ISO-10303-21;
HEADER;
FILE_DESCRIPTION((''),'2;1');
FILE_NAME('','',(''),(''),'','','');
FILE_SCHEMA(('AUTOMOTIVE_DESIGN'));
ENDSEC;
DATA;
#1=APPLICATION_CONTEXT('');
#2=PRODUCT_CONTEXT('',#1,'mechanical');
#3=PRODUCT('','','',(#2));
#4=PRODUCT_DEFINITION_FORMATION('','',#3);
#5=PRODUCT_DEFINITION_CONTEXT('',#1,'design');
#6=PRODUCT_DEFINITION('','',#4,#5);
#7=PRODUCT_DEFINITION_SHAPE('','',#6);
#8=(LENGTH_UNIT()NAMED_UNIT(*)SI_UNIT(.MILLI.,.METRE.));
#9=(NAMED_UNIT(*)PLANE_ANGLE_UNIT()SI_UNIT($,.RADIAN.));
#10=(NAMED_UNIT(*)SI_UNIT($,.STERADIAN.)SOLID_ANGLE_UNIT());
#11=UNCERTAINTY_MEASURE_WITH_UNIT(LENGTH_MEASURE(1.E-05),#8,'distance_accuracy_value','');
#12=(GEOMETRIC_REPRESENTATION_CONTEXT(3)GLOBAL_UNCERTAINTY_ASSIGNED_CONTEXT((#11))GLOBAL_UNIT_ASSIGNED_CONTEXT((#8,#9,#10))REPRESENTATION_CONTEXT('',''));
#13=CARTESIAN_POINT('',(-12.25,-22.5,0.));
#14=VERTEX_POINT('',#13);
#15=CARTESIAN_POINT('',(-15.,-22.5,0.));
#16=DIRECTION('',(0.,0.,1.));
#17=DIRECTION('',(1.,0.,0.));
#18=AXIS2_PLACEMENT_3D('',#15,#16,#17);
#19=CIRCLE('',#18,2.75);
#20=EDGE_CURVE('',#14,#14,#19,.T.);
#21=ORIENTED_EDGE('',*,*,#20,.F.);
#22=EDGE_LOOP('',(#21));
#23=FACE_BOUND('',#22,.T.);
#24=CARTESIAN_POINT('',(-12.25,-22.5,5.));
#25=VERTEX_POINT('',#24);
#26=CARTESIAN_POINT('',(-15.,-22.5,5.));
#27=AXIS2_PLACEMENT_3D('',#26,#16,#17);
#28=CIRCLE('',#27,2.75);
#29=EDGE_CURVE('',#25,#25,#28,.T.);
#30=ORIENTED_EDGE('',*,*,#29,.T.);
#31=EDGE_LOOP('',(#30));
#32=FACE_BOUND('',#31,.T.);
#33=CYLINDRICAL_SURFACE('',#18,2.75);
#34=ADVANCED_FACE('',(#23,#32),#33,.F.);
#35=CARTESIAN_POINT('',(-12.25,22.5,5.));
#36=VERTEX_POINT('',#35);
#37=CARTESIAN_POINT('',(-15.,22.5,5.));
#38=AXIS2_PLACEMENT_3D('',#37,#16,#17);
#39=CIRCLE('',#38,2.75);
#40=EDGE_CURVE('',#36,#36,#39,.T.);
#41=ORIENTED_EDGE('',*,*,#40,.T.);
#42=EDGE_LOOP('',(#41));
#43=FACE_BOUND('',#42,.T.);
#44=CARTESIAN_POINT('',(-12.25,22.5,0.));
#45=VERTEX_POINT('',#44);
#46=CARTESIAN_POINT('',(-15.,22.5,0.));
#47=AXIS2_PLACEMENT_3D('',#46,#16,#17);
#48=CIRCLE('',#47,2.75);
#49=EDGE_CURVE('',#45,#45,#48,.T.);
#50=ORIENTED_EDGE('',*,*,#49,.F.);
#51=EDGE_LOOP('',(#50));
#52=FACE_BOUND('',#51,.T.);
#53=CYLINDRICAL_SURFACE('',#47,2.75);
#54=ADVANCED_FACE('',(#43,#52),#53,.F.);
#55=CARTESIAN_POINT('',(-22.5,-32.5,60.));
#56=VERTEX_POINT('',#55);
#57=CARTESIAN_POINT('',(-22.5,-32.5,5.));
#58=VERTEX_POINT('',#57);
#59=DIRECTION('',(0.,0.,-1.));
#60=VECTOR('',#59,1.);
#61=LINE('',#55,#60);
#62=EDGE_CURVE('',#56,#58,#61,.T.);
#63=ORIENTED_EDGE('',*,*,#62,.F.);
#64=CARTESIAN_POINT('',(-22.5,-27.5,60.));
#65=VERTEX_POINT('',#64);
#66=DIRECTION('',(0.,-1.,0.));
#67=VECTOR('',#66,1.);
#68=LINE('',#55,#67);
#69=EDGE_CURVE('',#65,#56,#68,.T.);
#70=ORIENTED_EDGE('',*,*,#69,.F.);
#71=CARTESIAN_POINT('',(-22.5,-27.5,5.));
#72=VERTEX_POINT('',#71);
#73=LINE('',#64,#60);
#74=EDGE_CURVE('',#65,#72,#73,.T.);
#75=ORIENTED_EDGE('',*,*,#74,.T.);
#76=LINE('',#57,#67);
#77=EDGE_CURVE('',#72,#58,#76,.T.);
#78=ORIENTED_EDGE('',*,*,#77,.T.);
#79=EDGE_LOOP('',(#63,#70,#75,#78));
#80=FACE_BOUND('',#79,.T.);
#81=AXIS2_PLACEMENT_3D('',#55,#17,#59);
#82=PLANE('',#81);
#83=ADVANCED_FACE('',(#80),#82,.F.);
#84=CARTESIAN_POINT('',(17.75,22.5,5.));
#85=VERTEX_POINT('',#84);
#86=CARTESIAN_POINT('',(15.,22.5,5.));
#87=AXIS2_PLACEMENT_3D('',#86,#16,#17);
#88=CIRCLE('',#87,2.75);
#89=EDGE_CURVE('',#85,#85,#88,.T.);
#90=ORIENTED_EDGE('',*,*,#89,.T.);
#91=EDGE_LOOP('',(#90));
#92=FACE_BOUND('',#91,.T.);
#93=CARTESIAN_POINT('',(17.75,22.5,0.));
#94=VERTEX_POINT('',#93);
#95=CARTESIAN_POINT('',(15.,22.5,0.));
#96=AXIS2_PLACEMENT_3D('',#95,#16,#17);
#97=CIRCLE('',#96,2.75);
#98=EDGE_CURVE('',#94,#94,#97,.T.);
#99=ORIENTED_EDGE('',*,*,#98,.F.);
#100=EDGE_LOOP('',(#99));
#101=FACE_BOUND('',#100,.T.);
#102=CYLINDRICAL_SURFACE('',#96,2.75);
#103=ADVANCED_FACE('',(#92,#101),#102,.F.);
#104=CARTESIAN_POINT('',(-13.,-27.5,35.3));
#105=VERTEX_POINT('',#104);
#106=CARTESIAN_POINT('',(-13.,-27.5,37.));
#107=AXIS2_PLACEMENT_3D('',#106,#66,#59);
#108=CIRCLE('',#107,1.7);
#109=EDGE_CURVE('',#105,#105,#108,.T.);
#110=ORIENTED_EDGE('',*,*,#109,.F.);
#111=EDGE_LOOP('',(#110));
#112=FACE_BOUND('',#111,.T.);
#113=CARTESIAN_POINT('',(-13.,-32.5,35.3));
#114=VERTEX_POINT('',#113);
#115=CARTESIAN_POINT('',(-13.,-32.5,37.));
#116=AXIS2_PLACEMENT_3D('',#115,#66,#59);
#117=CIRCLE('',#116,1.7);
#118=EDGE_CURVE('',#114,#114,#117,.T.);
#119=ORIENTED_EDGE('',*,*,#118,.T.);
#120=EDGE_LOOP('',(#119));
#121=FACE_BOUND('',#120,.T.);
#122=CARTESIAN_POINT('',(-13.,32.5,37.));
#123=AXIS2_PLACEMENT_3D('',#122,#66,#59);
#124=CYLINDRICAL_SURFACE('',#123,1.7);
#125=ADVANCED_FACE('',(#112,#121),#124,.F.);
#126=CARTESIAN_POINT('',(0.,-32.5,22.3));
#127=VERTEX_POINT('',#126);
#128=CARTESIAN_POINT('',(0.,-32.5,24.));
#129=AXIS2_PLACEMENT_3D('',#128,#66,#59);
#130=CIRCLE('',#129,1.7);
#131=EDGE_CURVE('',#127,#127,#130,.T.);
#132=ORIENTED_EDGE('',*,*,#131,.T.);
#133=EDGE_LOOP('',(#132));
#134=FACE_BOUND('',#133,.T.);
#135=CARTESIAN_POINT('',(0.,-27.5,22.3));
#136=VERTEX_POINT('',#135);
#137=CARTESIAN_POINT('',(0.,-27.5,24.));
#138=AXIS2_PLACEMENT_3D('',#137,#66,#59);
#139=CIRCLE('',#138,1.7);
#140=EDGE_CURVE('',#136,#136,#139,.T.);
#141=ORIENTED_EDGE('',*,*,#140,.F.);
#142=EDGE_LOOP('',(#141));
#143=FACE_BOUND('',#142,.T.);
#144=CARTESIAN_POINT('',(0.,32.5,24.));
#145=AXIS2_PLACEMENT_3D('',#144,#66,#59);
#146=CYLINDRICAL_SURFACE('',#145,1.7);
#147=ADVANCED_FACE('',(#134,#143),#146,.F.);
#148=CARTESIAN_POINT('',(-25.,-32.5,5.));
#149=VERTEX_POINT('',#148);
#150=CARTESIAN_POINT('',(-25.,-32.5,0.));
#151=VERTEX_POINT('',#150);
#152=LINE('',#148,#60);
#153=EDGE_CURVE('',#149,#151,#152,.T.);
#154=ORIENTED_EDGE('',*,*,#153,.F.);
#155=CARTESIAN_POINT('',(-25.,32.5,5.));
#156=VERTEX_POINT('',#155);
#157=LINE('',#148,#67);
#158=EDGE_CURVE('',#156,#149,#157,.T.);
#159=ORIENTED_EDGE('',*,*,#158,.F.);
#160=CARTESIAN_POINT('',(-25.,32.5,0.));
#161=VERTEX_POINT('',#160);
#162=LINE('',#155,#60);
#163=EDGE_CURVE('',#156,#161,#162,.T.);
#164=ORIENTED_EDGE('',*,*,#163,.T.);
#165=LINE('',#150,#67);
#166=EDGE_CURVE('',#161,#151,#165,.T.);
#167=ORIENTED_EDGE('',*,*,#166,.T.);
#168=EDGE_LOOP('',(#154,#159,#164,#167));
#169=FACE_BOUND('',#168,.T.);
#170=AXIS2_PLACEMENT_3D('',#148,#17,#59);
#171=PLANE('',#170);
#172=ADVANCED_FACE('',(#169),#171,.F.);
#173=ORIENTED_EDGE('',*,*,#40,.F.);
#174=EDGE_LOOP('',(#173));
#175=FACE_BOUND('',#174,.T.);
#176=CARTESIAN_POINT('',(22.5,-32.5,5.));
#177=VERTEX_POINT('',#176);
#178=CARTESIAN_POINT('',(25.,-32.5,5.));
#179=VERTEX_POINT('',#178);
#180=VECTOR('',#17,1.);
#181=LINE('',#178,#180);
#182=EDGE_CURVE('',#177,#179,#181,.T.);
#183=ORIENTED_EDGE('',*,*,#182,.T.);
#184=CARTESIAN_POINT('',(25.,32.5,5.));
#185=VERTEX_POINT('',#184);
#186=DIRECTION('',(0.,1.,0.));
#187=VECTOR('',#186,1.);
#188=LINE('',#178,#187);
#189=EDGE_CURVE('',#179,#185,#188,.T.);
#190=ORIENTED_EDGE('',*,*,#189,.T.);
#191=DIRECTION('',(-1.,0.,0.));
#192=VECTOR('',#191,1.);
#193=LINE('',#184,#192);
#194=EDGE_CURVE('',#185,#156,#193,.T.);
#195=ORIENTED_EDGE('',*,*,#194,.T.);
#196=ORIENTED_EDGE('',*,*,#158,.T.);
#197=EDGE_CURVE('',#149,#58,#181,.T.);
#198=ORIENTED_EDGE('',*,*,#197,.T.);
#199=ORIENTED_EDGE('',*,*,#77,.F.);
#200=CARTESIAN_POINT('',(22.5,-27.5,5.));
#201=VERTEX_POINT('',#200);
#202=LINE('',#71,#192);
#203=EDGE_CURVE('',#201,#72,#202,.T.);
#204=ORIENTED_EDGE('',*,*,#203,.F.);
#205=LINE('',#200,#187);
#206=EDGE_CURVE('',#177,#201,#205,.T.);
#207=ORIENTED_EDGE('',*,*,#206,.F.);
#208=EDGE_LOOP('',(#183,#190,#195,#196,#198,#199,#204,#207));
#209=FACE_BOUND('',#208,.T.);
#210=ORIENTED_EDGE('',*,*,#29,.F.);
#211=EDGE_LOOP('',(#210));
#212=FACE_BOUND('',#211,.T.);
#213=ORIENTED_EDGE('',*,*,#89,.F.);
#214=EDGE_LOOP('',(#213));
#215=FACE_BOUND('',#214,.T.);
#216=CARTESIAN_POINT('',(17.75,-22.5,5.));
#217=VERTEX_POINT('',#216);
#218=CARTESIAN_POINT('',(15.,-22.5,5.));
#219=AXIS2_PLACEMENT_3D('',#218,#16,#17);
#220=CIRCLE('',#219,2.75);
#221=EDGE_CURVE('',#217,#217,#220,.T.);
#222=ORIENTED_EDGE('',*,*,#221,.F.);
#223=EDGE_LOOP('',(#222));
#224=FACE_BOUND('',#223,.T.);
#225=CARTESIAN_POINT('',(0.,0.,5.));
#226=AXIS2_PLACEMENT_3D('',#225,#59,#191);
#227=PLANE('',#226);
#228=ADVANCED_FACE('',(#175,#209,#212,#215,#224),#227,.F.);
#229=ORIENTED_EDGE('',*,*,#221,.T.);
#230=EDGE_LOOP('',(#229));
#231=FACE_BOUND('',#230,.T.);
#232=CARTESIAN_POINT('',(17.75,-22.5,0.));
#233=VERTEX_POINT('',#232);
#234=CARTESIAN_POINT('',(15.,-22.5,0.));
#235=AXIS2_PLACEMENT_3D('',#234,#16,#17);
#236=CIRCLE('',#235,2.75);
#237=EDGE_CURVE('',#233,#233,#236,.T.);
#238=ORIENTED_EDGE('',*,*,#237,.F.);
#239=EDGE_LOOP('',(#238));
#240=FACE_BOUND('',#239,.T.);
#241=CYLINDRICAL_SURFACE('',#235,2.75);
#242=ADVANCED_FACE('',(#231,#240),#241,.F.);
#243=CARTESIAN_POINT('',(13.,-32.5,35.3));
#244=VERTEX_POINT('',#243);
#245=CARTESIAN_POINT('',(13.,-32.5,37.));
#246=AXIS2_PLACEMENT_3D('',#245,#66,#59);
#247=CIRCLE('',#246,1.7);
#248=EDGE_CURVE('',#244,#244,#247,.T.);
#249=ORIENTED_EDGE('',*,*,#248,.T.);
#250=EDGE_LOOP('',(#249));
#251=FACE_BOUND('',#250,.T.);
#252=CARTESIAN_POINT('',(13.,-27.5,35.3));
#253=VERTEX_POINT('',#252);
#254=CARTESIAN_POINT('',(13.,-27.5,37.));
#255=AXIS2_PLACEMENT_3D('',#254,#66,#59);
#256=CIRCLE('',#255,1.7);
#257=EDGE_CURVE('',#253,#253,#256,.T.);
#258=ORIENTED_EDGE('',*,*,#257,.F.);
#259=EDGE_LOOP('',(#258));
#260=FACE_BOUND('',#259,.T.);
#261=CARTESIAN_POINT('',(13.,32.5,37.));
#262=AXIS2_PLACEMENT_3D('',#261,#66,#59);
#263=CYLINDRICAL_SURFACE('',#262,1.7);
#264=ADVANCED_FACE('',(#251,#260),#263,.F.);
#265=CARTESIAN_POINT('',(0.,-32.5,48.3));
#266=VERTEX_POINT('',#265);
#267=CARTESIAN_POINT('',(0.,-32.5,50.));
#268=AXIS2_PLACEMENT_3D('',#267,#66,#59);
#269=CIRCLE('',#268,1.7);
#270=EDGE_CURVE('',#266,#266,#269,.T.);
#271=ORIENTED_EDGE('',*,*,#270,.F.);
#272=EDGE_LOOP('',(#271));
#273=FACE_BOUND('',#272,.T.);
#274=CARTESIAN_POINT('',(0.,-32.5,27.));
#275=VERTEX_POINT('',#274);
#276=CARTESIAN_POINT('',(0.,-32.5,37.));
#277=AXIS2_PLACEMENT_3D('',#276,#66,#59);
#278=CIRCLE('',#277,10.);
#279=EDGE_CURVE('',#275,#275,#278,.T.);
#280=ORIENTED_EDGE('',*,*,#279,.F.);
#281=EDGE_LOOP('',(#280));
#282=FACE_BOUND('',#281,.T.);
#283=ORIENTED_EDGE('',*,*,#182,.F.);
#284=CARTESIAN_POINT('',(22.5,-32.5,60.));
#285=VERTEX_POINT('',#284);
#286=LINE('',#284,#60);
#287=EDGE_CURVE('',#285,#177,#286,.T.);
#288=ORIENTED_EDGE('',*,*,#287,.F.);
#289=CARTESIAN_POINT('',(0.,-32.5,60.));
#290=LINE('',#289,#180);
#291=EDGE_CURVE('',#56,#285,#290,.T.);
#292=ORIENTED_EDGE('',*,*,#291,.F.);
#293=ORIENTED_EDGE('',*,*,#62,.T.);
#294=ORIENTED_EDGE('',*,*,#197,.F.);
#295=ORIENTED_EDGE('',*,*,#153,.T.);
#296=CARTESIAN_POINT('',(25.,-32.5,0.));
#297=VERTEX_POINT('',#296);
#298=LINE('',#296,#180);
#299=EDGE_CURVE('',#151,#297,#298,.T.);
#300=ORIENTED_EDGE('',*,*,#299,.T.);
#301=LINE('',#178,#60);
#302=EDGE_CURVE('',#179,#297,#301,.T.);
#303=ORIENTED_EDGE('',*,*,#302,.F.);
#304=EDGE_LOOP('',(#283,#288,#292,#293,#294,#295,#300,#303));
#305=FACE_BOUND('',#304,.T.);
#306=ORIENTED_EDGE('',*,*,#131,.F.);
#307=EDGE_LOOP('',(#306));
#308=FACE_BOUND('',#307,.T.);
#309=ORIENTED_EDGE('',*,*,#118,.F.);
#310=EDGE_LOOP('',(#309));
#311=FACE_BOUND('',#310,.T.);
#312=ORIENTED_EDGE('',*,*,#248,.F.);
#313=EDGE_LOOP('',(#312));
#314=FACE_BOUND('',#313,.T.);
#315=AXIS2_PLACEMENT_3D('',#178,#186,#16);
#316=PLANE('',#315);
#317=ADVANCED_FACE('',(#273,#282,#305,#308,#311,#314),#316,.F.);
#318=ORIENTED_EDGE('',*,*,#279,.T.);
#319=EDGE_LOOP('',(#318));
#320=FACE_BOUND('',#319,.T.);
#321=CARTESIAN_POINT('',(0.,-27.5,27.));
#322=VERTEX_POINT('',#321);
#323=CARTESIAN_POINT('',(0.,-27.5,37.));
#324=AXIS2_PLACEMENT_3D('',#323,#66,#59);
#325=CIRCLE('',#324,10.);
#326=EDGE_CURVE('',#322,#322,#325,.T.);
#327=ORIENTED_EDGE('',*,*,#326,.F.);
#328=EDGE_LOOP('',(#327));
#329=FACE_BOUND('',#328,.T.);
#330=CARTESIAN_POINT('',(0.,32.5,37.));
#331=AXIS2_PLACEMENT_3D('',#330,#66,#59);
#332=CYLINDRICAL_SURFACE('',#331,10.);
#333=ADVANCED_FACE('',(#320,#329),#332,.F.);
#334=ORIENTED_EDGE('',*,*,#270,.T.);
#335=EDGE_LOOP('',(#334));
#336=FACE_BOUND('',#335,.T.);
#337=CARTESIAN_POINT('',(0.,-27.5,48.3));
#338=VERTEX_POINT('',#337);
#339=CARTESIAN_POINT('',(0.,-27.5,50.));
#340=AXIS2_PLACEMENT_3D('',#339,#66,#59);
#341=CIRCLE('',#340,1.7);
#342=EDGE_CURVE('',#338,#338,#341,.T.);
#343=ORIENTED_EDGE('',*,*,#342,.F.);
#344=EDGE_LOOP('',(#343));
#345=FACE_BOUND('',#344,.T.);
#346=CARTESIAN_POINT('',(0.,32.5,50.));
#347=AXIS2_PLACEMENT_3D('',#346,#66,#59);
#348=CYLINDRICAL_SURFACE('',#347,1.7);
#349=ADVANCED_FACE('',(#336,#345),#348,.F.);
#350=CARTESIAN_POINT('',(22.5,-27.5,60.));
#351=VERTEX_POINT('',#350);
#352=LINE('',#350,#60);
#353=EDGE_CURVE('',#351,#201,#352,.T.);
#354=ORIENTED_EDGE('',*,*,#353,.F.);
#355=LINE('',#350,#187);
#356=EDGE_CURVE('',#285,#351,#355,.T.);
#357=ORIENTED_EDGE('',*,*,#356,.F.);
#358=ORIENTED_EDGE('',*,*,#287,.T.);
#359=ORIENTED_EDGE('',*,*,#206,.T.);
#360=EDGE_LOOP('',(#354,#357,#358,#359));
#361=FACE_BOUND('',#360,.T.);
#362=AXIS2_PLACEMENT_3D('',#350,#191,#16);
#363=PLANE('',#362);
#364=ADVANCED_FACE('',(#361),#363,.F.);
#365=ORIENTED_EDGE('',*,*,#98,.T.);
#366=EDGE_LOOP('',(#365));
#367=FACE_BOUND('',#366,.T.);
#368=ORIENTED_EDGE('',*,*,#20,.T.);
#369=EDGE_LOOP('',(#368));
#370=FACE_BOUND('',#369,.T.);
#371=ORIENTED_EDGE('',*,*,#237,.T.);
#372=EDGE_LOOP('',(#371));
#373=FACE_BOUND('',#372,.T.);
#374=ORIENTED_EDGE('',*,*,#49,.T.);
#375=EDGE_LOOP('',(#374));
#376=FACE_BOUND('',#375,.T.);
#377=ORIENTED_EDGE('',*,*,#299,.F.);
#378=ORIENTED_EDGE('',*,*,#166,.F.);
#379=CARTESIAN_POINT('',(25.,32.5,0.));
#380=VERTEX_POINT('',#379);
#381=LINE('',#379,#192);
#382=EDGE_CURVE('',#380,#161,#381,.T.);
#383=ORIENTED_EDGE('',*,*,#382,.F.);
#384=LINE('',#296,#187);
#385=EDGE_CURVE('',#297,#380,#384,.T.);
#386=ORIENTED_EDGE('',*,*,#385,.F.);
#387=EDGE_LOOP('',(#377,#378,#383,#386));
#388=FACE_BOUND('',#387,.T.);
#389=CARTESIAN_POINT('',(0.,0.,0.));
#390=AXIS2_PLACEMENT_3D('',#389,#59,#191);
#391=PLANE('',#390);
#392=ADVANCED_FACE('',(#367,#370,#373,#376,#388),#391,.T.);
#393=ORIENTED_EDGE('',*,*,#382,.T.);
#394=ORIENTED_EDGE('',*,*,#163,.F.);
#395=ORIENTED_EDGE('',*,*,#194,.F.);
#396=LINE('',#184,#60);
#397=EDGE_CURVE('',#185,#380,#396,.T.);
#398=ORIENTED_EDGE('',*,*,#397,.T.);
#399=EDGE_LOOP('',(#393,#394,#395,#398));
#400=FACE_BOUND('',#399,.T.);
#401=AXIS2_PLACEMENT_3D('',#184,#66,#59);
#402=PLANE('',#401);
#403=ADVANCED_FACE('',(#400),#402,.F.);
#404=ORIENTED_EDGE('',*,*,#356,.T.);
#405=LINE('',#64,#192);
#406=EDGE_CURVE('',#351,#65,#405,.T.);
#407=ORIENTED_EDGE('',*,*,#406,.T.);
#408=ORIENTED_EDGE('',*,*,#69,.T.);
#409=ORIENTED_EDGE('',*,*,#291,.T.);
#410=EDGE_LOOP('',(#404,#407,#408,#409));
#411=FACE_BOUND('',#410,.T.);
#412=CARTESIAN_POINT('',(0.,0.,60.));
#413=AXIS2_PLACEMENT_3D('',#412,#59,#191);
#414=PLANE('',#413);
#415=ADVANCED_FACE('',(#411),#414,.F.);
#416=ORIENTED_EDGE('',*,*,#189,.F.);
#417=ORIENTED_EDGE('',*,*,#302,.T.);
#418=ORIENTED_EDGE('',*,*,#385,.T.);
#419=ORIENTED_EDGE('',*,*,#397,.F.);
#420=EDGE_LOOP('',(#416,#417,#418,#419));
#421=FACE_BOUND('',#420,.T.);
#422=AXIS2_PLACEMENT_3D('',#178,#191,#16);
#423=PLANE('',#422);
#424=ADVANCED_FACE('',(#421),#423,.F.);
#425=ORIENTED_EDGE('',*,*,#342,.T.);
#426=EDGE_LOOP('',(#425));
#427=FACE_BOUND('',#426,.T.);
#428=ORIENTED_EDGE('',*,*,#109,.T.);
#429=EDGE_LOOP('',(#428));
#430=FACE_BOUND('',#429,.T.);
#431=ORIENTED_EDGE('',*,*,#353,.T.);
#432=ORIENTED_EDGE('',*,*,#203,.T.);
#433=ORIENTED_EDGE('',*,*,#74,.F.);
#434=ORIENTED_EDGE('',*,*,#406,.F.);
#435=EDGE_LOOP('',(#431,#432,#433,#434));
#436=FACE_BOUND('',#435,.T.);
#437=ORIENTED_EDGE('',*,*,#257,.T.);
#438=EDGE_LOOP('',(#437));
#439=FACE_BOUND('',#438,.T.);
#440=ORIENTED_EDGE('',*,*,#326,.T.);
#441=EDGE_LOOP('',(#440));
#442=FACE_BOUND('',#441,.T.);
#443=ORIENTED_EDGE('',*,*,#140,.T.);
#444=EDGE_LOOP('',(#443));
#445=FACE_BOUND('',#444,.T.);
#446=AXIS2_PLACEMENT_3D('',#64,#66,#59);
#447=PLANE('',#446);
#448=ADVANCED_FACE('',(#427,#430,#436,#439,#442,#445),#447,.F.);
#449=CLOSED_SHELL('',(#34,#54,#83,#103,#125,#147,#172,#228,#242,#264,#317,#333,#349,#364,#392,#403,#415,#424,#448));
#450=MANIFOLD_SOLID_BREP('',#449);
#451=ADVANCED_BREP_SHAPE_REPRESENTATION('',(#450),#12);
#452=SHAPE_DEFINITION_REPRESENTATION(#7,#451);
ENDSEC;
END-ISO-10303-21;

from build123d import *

# Parameters (mm, degrees)
SKETCH1_W           = 65
SKETCH1_H           = 50
BOSS_EXTRUDE1_DEPTH = 5
BOSS_EXTRUDE2_DEPTH = 55
SKETCH3_R           = 10
CUT_EXTRUDE1_DEPTH  = 92.923881554
SKETCH5_R           = 1.7
CUT_EXTRUDE2_DEPTH  = 92.923881554
SKETCH6_R           = 2.75
CUT_EXTRUDE3_DEPTH  = 69.60211367


with BuildPart() as part:
    # Sketch1 → Boss-Extrude1 (new body)
    with BuildSketch(Plane(origin=(0, 0, 0), x_dir=(0, 1, 0), z_dir=(0, 0, 1))):
        Rectangle(SKETCH1_W, SKETCH1_H)
    extrude(amount=BOSS_EXTRUDE1_DEPTH)

    # Sketch2 → Boss-Extrude2 (add)
    with BuildSketch(Plane.XY.offset(5)):
        Polygon((0, -32.5), (-22.5, -32.5), (-22.5, -27.5), (22.5, -27.5), (22.5, -32.5), align=None)
    extrude(amount=BOSS_EXTRUDE2_DEPTH)

    # Sketch3 → Cut-Extrude1 (cut, through all)
    with BuildSketch(Plane.XZ.offset(32.5)):
        with Locations(Location((0, 37, 0), (0, 0, 270))):
            Circle(SKETCH3_R)
    extrude(amount=-CUT_EXTRUDE1_DEPTH, mode=Mode.SUBTRACT)

    # Sketch5 → Cut-Extrude2 (cut, through all)
    with BuildSketch(Plane.XZ.offset(32.5)):
        with Locations(Location((0, 50, 0), (0, 0, 270))):
            Circle(SKETCH5_R)
        with Locations(Location((13, 37, 0), (0, 0, 270))):
            Circle(SKETCH5_R)
        with Locations(Location((0, 24, 0), (0, 0, 270))):
            Circle(SKETCH5_R)
        with Locations(Location((-13, 37, 0), (0, 0, 270))):
            Circle(SKETCH5_R)
    extrude(amount=-CUT_EXTRUDE2_DEPTH, mode=Mode.SUBTRACT)

    # Sketch6 → Cut-Extrude3 (cut, through all)
    with BuildSketch(Plane.XY.offset(5)):
        with Locations((-15, 22.5)):
            Circle(SKETCH6_R)
        with Locations((15, 22.5)):
            Circle(SKETCH6_R)
        with Locations((-15, -22.5)):
            Circle(SKETCH6_R)
        with Locations((15, -22.5)):
            Circle(SKETCH6_R)
    extrude(amount=-CUT_EXTRUDE3_DEPTH, mode=Mode.SUBTRACT)


solid = part.part
